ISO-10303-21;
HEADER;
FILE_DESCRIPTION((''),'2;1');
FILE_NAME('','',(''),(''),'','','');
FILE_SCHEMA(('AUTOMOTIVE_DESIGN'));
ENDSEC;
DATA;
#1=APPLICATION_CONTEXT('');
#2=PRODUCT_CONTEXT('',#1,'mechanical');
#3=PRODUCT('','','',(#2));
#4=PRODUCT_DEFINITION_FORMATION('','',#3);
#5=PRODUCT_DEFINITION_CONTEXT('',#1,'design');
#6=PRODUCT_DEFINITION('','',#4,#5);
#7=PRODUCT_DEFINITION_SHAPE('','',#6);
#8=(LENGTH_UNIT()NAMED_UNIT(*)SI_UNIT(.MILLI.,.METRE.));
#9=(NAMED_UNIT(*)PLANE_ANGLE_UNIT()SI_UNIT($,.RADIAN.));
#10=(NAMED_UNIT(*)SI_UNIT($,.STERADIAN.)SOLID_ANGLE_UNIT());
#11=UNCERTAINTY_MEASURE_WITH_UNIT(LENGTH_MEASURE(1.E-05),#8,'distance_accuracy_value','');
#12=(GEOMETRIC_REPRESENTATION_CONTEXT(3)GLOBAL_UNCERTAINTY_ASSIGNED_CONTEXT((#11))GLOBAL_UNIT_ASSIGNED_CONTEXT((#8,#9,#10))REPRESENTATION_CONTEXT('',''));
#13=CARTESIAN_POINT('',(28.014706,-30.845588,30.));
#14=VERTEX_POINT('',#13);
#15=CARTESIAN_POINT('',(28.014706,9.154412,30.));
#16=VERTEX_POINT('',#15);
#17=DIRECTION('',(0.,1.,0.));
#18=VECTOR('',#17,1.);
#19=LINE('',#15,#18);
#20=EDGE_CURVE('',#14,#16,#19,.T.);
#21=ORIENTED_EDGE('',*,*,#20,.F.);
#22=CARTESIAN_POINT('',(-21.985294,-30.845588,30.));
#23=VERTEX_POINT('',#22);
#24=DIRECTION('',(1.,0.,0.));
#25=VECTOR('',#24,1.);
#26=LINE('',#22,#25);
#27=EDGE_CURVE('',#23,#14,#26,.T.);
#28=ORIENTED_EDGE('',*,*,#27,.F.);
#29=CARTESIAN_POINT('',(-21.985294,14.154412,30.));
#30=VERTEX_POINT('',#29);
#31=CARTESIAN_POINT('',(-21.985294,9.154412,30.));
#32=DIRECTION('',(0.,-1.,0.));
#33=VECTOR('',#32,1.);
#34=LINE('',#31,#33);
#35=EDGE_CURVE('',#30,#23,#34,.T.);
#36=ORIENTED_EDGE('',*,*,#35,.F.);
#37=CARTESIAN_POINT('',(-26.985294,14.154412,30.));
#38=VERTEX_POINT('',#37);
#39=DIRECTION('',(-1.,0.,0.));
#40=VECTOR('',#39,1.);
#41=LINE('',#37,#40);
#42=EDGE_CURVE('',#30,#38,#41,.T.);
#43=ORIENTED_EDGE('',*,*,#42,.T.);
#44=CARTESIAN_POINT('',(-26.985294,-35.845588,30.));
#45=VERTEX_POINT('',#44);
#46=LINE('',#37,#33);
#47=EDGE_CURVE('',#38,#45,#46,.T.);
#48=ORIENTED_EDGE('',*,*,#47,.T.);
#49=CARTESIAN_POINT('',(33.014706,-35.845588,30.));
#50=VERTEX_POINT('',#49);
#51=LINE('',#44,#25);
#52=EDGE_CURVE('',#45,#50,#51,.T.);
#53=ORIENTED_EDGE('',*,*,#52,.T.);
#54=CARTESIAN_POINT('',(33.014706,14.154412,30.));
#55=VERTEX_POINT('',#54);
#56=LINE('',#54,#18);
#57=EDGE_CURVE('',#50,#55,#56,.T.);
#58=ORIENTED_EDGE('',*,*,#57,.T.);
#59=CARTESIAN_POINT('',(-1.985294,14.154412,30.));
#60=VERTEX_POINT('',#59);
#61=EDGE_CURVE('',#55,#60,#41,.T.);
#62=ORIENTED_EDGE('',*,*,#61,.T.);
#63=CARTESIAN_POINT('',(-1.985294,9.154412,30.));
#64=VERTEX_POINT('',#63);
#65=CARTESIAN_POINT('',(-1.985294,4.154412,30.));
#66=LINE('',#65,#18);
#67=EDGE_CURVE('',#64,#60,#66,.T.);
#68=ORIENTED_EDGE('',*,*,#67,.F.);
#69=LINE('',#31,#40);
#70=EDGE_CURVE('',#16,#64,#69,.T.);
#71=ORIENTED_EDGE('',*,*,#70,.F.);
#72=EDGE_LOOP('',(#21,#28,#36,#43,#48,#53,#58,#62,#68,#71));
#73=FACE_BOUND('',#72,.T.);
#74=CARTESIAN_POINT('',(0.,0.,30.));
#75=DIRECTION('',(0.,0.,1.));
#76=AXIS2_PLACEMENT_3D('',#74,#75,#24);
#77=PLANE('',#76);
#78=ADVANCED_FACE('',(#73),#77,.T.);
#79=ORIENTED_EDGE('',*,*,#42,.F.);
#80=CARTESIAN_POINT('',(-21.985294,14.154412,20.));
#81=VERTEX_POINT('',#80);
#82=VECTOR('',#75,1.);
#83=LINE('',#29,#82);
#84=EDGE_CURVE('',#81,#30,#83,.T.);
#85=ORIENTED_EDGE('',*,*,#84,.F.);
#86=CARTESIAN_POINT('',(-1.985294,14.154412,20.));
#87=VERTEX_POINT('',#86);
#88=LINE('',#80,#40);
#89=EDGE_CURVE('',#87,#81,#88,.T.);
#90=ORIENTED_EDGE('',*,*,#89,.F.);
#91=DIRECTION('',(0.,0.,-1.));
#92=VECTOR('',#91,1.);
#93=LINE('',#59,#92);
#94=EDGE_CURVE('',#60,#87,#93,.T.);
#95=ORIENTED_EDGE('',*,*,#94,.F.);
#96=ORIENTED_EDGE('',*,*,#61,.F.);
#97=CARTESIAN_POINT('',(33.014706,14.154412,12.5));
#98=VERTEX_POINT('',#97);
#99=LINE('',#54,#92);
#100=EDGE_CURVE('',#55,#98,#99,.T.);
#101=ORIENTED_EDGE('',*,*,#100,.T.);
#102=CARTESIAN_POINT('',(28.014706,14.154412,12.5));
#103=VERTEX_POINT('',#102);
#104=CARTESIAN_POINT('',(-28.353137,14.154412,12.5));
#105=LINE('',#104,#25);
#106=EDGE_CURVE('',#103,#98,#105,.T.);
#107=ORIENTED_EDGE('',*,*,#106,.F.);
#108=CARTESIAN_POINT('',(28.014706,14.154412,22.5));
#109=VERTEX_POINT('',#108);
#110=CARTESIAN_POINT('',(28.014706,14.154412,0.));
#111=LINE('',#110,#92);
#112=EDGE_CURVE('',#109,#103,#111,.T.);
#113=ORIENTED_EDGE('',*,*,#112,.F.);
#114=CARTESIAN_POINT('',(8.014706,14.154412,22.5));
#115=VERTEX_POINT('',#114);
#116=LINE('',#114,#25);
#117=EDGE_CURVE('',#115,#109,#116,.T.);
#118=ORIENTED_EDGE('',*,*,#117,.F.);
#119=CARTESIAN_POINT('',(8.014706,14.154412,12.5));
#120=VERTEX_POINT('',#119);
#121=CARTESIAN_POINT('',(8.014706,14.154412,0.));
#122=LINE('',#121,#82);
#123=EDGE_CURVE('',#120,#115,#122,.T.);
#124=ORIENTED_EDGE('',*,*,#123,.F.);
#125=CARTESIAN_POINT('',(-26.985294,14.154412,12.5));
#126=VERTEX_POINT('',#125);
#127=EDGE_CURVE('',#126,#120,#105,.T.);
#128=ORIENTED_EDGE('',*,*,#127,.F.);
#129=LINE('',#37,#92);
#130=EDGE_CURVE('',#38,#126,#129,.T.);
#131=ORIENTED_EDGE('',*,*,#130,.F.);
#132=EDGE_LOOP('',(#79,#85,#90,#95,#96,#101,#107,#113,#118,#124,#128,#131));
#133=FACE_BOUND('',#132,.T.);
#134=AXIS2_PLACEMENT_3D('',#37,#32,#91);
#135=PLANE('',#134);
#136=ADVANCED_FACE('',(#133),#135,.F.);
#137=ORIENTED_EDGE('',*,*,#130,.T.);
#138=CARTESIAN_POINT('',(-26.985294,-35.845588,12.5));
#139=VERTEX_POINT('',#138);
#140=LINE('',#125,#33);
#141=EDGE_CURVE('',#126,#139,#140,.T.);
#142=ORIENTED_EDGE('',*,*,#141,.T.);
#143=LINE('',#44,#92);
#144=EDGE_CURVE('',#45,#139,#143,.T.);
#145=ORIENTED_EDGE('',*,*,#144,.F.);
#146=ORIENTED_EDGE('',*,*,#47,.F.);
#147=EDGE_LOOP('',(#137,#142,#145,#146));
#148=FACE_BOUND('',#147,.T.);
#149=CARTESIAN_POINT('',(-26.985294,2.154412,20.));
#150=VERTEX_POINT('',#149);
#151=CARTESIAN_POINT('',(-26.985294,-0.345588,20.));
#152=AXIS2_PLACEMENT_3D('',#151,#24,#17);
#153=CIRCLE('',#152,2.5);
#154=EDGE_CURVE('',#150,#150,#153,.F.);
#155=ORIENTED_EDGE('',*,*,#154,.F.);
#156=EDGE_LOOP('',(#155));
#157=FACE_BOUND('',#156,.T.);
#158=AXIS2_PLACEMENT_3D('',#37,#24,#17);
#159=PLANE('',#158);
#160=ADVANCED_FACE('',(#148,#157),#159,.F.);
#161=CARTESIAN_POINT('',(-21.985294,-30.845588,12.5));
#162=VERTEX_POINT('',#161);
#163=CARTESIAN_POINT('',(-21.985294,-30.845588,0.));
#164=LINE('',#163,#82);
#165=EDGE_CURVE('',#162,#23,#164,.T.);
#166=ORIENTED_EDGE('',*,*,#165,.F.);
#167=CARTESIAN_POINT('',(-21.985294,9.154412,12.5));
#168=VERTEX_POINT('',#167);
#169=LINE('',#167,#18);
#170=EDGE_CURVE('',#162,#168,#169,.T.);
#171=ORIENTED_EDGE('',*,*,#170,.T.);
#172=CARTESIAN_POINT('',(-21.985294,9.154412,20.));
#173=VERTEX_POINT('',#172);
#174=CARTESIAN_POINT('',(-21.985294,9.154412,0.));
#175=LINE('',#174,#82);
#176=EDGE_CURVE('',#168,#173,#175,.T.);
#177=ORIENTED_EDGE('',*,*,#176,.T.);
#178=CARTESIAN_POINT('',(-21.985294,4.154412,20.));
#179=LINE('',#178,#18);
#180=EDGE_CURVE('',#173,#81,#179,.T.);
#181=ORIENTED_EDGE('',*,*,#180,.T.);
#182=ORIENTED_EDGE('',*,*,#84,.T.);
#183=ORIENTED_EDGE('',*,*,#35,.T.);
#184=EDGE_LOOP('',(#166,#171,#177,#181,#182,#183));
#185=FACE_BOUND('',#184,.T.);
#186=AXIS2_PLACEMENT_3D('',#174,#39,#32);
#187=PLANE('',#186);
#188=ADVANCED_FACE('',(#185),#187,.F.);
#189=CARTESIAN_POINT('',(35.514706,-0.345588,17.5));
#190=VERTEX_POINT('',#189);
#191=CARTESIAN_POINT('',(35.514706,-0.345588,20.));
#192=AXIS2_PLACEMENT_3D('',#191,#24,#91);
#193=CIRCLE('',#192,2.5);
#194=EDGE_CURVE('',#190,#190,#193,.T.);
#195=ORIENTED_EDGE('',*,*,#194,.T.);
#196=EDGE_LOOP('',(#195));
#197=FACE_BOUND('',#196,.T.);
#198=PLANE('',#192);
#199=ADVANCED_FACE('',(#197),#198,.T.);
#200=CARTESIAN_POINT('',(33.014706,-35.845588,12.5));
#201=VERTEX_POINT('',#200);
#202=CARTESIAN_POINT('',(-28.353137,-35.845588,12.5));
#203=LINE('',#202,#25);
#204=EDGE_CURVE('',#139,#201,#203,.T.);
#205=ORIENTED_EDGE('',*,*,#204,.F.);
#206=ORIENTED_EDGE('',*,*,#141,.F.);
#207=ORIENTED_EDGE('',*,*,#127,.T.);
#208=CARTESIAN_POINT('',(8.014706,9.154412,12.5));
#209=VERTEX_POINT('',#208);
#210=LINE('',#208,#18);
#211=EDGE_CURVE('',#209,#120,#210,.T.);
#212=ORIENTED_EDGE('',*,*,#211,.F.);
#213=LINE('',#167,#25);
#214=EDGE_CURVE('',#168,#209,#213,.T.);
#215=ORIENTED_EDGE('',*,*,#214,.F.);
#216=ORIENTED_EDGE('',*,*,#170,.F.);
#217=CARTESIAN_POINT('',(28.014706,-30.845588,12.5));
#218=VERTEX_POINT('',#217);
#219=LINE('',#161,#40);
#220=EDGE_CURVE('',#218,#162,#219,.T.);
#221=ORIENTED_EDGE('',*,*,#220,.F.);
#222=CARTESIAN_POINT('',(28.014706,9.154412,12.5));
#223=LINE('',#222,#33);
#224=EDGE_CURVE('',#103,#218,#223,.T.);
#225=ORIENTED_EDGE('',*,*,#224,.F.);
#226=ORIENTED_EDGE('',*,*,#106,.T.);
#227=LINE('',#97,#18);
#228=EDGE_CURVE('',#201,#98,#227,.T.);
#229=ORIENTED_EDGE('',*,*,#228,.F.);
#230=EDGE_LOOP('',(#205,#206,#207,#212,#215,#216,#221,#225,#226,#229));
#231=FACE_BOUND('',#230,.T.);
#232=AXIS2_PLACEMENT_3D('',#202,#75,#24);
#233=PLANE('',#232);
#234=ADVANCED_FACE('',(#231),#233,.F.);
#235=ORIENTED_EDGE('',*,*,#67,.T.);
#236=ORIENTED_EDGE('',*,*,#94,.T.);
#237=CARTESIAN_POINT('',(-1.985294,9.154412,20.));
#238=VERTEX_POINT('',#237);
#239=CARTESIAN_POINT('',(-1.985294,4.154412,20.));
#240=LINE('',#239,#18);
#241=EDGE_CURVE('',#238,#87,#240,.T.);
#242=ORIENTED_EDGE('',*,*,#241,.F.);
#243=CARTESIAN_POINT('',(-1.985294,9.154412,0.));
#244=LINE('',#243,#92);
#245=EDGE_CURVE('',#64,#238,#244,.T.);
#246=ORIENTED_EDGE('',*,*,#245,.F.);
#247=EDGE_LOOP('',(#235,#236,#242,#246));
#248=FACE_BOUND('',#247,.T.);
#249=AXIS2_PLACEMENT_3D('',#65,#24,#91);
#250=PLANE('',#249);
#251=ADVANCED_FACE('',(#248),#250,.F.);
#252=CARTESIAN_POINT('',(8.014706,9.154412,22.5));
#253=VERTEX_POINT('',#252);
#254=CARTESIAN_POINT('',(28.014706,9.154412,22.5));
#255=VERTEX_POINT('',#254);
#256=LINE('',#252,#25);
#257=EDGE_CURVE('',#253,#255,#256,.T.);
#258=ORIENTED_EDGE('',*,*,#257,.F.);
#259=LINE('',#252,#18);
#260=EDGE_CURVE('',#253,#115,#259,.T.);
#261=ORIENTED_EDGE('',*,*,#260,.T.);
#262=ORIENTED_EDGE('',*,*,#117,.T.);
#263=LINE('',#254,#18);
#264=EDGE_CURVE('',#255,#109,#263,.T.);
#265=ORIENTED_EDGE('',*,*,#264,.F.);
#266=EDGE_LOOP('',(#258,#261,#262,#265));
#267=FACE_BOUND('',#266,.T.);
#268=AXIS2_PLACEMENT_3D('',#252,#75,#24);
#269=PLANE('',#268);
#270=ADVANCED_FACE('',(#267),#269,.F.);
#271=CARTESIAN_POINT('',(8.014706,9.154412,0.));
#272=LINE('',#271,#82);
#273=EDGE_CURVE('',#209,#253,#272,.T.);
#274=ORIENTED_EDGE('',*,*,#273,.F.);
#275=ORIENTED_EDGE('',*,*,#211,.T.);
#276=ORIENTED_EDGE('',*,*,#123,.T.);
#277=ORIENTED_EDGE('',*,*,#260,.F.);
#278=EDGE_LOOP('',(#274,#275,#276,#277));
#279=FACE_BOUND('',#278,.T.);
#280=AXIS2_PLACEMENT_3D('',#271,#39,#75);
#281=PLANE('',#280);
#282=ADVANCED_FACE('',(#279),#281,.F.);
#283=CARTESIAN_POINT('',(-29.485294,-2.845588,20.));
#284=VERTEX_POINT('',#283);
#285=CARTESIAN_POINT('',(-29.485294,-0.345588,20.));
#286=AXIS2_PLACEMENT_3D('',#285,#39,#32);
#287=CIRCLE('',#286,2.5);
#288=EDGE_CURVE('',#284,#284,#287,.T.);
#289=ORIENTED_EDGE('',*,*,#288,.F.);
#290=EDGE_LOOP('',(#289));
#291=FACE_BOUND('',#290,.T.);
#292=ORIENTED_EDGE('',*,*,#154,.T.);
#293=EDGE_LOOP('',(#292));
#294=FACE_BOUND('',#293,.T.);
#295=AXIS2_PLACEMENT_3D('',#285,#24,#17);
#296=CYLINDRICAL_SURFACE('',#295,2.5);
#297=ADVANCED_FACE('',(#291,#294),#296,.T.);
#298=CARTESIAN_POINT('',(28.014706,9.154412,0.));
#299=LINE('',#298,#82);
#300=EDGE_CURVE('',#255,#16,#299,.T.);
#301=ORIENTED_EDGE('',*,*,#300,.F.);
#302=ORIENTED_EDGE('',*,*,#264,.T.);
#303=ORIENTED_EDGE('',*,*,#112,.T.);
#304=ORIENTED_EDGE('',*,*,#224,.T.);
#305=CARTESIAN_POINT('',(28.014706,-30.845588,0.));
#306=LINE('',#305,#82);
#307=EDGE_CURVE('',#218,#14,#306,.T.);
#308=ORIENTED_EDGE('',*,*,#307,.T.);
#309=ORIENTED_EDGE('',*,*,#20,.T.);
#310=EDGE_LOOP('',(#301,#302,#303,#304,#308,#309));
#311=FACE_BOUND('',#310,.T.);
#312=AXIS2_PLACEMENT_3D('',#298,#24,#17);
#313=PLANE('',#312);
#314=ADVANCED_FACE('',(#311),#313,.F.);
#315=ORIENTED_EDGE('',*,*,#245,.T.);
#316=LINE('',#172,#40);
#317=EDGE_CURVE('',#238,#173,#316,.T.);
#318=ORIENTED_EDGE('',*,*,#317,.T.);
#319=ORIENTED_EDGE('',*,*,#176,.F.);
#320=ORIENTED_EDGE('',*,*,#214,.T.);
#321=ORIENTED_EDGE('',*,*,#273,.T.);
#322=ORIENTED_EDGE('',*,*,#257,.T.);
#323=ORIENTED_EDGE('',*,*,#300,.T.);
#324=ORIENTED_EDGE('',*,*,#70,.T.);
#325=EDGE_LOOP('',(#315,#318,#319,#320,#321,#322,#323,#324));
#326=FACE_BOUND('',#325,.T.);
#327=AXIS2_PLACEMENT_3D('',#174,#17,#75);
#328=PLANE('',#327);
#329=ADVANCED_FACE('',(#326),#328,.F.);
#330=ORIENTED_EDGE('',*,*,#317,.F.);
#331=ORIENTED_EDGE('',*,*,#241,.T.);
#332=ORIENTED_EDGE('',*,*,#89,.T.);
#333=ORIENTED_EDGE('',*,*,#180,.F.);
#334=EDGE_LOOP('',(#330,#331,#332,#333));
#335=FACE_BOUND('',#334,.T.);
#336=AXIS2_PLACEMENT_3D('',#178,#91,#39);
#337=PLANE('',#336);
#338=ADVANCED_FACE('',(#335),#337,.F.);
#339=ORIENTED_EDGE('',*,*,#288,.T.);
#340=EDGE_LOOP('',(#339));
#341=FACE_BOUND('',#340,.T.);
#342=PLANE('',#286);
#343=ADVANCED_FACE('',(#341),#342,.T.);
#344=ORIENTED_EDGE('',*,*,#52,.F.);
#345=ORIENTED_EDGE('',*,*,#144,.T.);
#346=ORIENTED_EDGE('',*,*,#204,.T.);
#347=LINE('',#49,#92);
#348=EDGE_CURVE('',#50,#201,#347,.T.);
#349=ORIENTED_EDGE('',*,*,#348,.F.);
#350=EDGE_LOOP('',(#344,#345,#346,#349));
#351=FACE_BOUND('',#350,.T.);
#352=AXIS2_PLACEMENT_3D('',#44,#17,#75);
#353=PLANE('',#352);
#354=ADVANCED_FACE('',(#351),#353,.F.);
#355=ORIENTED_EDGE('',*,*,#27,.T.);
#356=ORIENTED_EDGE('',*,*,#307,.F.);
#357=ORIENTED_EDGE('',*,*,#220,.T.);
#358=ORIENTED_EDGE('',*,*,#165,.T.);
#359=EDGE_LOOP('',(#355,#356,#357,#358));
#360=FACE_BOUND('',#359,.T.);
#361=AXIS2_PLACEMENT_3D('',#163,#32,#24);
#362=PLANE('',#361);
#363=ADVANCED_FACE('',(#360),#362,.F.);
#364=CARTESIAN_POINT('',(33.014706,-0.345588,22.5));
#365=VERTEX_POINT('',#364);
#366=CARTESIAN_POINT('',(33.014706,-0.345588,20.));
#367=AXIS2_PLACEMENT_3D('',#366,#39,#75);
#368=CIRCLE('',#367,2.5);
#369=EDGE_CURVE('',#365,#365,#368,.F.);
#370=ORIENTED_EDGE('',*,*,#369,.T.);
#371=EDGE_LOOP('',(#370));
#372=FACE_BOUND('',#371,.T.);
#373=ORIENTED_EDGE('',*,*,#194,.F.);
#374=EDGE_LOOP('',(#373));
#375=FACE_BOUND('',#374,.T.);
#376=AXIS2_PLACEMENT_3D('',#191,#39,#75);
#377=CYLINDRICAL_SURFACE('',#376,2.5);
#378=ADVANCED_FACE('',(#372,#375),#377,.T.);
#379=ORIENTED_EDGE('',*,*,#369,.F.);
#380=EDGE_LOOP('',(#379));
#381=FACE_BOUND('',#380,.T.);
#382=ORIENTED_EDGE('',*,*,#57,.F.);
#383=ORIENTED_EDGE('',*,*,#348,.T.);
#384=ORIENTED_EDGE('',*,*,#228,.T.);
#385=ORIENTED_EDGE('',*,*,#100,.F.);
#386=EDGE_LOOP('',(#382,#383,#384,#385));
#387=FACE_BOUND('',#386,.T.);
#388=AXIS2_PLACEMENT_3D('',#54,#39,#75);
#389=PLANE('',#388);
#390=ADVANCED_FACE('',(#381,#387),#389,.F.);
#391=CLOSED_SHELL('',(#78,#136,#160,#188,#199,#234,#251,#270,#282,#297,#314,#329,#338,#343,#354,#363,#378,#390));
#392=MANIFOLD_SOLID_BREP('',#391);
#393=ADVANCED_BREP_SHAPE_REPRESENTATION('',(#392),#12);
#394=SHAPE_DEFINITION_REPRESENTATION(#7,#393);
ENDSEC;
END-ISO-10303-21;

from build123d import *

# Parameters (mm, degrees)
SKETCH1_W           = 60
SKETCH1_H           = 50
BOSS_EXTRUDE1_DEPTH = 30
SKETCH2_W           = 50
SKETCH2_H           = 40
CUT_EXTRUDE1_DEPTH  = 58.226541049
SKETCH3_W           = 20
SKETCH3_H           = 22.5
CUT_EXTRUDE2_DEPTH  = 5
SKETCH4_W           = 20
SKETCH4_H           = 10
CUT_EXTRUDE3_DEPTH  = 10
SKETCH5_W           = 62.459499436
SKETCH5_H           = 12.5
CUT_EXTRUDE4_DEPTH  = 68.007244418
SKETCH6_R           = 2.5
BOSS_EXTRUDE2_DEPTH = 2.5
BOSS_EXTRUDE3_START = 2.5
SKETCH7_R           = 2.5
BOSS_EXTRUDE3_DEPTH = 2.5


with BuildPart() as part:
    # Sketch1 → Boss-Extrude1 (new body)
    with BuildSketch(Plane.XY):
        with Locations((3.014705882, -10.845588235)):
            Rectangle(SKETCH1_W, SKETCH1_H)
    extrude(amount=BOSS_EXTRUDE1_DEPTH)

    # Sketch2 → Cut-Extrude1 (cut, through all)
    with BuildSketch(Plane.XY.offset(30)):
        with Locations((3.014705882, -10.845588235)):
            Rectangle(SKETCH2_W, SKETCH2_H)
    extrude(amount=-CUT_EXTRUDE1_DEPTH, mode=Mode.SUBTRACT)

    # Sketch3 → Cut-Extrude2 (cut)
    with BuildSketch(Plane(origin=(0, 14.154411765, 0), x_dir=(1, 0, 0), z_dir=(0, 1, 0))):
        with Locations((18.014705882, -11.25)):
            Rectangle(SKETCH3_W, SKETCH3_H)
    extrude(amount=-CUT_EXTRUDE2_DEPTH, mode=Mode.SUBTRACT)

    # Sketch4 → Cut-Extrude3 (cut)
    with BuildSketch(Plane(origin=(0, 14.154411765, 0), x_dir=(1, 0, 0), z_dir=(0, 1, 0))):
        with Locations((-11.985294118, -25)):
            Rectangle(SKETCH4_W, SKETCH4_H)
    extrude(amount=-CUT_EXTRUDE3_DEPTH, mode=Mode.SUBTRACT)

    # Sketch5 → Cut-Extrude4 (cut, through all)
    with BuildSketch(Plane(origin=(0, 14.154411765, 0), x_dir=(1, 0, 0), z_dir=(0, 1, 0))):
        with Locations((2.876613087, -6.25)):
            Rectangle(SKETCH5_W, SKETCH5_H)
    extrude(amount=-CUT_EXTRUDE4_DEPTH, mode=Mode.SUBTRACT)

    # Sketch6 → Boss-Extrude2 (add)
    with BuildSketch(Plane(origin=(33.014705882, 0, 0), x_dir=(0, 0, -1), z_dir=(1, 0, 0))):
        with Locations(Location((-20, -0.345588235, 0), (0, 0, 180))):
            Circle(SKETCH6_R)
    extrude(amount=BOSS_EXTRUDE2_DEPTH)

    # Sketch7 → Boss-Extrude3 (add)
    with BuildSketch(Plane.ZY.offset(26.985294118).offset(BOSS_EXTRUDE3_START)):
        with Locations((20, -0.345588235)):
            Circle(SKETCH7_R)
    extrude(amount=-BOSS_EXTRUDE3_DEPTH)


solid = part.part
